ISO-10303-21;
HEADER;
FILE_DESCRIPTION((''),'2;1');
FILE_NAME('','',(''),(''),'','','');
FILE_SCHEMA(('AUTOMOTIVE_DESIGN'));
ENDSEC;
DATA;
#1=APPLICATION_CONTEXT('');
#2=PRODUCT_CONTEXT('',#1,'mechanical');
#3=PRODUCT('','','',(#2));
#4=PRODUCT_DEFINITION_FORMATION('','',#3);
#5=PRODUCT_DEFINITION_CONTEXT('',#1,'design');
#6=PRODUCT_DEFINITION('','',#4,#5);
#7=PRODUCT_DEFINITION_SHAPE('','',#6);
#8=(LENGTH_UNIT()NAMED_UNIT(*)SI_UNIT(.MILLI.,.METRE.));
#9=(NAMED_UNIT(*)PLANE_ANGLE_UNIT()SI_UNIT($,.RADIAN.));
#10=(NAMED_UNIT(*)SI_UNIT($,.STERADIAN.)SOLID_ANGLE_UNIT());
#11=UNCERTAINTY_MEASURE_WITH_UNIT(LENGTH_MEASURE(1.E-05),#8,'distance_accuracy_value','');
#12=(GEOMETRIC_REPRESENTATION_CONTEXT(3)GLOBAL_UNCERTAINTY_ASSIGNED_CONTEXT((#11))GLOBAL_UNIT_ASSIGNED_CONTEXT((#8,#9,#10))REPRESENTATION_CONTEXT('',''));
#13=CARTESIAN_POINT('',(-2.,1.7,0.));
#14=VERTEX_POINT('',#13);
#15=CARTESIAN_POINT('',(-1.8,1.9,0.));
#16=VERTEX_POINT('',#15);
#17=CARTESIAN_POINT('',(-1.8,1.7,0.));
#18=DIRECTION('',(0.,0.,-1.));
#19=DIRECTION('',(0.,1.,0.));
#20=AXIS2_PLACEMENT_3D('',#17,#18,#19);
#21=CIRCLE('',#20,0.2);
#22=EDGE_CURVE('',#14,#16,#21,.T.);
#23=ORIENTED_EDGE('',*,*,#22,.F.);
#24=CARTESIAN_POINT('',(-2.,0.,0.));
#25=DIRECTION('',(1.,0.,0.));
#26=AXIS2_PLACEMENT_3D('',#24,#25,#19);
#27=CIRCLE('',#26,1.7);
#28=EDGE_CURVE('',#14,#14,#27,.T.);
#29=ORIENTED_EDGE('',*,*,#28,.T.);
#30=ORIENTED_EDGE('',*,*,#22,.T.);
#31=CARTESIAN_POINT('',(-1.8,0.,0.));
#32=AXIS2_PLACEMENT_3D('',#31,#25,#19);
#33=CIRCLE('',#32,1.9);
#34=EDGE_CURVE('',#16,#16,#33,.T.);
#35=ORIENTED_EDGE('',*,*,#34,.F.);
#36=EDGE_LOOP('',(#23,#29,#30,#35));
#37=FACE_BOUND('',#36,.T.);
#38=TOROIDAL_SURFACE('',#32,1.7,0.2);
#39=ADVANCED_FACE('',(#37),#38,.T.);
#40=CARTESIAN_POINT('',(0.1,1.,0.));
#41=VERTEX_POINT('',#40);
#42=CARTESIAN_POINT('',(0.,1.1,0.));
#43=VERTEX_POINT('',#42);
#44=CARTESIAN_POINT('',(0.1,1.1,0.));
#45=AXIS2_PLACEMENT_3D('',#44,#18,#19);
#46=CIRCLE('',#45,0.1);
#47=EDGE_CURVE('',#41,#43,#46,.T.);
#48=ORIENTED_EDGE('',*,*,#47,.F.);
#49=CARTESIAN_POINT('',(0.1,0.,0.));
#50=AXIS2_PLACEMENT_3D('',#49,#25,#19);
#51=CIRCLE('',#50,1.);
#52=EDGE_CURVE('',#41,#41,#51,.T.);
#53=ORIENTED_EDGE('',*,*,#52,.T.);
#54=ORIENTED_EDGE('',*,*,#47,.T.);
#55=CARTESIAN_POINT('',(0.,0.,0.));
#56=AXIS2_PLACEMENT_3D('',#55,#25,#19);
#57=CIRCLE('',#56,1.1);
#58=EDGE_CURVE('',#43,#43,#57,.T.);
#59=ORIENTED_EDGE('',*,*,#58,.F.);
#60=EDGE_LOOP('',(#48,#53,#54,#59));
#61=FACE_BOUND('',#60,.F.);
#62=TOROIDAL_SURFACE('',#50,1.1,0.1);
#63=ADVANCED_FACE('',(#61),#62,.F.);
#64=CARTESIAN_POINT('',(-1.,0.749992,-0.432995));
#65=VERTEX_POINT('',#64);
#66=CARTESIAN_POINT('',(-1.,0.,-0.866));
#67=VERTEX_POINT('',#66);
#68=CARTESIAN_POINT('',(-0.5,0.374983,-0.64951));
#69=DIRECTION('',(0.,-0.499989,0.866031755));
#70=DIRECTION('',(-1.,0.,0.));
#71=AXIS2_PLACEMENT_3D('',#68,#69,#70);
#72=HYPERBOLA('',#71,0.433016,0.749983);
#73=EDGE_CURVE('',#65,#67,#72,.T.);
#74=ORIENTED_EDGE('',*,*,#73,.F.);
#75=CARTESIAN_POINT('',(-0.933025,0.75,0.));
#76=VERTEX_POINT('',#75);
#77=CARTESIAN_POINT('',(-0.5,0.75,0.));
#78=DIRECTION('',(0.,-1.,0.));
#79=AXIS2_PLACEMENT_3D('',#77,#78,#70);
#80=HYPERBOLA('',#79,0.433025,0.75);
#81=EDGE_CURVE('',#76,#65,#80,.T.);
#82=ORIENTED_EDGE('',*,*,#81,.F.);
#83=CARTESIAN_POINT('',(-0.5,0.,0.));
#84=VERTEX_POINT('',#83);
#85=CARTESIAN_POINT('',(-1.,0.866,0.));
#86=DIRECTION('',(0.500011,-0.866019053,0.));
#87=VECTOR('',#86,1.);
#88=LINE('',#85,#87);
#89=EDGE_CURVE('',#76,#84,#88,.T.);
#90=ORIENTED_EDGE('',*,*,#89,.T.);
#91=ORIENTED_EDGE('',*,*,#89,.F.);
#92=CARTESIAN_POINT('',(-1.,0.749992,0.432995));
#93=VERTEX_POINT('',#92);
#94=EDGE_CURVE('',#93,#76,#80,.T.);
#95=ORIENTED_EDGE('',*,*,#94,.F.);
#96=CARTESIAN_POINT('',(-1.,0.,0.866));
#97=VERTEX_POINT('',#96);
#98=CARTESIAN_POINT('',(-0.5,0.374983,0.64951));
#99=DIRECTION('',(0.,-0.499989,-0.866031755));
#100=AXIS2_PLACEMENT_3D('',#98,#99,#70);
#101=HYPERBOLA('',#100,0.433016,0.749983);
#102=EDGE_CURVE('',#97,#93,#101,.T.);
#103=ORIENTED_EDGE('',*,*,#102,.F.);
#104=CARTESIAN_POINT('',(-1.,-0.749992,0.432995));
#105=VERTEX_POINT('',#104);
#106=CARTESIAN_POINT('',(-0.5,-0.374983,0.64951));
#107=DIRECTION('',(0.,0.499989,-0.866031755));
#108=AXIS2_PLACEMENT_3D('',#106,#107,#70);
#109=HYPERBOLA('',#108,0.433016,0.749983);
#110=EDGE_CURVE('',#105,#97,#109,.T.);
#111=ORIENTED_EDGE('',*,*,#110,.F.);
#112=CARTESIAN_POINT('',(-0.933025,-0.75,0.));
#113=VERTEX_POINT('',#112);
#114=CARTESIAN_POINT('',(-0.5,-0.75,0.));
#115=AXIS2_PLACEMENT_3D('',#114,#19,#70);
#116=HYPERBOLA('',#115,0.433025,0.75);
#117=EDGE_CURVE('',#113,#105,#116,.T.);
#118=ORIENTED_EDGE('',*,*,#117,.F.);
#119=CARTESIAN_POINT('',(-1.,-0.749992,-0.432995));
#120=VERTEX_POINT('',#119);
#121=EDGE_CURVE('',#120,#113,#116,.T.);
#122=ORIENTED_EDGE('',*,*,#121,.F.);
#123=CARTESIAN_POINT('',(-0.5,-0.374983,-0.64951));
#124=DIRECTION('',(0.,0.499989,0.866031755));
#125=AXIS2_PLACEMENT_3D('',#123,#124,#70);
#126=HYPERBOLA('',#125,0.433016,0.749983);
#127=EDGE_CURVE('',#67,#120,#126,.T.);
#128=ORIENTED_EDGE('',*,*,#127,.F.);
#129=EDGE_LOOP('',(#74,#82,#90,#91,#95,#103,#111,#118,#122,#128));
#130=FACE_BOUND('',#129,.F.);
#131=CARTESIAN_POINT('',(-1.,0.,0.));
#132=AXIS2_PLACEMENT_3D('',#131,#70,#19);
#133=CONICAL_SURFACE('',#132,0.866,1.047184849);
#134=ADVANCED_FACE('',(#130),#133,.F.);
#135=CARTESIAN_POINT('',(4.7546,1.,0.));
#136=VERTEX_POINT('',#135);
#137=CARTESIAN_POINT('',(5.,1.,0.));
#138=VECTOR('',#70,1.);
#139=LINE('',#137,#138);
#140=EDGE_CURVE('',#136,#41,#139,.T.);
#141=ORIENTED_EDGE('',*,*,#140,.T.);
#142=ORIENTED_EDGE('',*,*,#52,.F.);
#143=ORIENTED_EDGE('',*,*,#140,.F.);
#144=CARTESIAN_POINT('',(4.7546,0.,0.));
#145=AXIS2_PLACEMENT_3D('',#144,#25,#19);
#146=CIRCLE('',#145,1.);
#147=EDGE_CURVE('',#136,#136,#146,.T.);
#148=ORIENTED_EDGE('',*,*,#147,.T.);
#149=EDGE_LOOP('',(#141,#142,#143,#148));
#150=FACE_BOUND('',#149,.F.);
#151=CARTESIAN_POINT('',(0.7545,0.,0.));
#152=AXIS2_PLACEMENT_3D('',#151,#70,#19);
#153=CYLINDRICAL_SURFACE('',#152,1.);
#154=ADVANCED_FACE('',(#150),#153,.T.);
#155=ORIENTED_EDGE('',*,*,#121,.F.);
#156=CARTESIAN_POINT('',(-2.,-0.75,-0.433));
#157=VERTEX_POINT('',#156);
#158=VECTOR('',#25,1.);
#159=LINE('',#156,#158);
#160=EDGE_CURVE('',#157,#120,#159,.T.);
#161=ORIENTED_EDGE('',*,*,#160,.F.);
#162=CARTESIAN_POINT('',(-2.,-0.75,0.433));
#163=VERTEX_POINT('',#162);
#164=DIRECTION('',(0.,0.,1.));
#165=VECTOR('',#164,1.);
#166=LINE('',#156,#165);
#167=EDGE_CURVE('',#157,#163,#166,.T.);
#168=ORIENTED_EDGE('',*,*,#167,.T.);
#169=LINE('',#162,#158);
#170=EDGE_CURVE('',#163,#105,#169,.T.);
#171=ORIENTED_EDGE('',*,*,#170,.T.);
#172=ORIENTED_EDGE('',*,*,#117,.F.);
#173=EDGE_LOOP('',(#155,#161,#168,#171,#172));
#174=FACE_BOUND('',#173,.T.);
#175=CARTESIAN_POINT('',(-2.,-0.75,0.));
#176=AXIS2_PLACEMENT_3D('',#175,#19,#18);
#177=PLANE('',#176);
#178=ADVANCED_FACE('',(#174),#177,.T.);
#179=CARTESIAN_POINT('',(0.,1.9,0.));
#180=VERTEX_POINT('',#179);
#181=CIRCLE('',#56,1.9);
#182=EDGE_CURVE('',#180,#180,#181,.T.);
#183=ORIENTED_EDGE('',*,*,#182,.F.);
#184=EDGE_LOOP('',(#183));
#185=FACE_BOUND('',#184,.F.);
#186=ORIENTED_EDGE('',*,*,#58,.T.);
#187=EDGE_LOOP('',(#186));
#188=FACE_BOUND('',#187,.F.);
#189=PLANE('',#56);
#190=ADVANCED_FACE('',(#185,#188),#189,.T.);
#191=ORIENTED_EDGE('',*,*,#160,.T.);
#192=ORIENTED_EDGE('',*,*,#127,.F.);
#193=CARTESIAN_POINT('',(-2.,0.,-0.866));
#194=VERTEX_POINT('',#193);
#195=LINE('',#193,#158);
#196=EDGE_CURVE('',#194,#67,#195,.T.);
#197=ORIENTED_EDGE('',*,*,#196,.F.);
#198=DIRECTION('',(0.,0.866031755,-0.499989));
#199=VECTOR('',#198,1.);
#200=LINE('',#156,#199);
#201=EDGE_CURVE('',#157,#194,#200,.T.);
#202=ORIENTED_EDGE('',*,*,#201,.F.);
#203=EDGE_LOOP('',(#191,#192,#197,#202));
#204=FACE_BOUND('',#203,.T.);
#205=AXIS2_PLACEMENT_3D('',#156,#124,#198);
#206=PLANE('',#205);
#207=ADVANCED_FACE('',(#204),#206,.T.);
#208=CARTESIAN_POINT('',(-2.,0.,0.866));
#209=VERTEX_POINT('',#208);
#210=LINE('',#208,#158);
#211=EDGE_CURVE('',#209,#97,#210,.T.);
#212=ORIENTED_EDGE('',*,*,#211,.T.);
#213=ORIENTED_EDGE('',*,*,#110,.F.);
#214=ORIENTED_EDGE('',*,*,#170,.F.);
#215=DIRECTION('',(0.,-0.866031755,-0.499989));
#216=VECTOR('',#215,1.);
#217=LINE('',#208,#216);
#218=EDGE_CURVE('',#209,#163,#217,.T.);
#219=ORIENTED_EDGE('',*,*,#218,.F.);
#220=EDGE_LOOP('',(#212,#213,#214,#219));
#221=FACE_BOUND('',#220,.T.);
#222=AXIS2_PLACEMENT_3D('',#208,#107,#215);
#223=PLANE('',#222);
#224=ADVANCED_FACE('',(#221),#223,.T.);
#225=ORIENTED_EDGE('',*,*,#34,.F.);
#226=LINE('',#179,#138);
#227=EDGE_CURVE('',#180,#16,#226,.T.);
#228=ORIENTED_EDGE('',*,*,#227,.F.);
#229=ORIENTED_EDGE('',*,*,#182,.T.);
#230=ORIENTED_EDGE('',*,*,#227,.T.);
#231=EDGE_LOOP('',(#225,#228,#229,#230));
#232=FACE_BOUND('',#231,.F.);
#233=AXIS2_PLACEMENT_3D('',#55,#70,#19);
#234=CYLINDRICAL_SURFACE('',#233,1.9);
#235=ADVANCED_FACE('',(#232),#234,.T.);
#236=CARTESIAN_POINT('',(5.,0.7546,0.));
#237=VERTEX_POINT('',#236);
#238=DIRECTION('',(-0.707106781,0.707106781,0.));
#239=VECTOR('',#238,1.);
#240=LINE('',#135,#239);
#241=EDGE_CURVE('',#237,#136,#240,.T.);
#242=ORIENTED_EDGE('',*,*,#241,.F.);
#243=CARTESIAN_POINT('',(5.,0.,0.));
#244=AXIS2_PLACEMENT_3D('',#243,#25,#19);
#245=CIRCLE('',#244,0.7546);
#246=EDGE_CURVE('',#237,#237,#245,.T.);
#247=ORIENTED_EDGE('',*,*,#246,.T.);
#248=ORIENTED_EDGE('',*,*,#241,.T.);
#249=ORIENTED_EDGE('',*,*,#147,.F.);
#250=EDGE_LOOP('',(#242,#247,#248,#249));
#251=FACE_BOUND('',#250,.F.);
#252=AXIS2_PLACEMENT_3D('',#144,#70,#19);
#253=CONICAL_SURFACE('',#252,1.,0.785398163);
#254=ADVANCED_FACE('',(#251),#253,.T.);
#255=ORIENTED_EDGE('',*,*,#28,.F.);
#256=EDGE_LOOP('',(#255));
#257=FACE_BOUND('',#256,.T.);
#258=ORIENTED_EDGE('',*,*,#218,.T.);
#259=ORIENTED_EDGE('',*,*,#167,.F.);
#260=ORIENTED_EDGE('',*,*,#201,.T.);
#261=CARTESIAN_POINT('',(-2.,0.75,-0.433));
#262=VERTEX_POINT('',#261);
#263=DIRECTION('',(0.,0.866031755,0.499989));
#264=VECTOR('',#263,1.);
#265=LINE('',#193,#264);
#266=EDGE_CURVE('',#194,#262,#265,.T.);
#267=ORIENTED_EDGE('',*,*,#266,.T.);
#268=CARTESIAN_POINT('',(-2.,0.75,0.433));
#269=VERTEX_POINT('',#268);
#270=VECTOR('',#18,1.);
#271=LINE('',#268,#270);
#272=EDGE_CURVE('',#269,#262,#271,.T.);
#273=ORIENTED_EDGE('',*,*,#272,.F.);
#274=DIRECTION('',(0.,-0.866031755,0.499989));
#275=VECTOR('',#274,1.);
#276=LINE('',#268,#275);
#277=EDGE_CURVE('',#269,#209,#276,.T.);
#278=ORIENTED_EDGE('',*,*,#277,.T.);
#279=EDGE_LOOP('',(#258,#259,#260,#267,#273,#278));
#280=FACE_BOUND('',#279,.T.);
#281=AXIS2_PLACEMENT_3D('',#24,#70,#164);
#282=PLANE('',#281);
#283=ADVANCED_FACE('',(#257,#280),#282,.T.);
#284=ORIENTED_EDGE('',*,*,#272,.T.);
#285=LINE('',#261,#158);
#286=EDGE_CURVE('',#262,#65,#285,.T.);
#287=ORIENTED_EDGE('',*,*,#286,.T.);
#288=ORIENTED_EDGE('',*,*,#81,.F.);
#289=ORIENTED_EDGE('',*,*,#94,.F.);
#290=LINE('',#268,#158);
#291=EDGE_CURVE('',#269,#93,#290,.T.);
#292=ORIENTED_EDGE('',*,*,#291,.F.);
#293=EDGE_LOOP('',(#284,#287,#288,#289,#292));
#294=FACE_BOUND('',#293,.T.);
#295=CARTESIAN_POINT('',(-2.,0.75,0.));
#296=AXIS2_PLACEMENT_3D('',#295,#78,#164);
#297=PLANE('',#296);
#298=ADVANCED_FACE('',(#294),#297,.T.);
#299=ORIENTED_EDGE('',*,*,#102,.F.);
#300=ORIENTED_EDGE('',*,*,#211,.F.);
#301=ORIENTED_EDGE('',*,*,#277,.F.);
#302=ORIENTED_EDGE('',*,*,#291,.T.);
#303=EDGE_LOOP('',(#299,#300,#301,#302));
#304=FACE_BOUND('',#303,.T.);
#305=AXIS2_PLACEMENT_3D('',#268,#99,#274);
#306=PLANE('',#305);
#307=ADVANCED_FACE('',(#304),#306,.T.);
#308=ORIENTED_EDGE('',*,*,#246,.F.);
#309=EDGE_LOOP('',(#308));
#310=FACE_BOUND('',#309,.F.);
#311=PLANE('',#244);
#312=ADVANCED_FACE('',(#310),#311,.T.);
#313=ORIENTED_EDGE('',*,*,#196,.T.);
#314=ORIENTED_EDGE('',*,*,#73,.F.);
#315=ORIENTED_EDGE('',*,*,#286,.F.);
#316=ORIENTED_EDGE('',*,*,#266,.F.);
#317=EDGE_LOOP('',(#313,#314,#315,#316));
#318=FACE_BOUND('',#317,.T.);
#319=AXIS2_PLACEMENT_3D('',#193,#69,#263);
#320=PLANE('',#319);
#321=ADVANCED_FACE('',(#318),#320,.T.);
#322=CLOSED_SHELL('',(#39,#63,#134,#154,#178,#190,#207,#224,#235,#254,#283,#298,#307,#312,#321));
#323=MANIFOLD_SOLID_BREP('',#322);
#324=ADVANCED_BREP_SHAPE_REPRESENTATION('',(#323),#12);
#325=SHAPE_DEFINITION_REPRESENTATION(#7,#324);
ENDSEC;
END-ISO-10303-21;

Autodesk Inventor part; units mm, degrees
ref_plane "YZ Plane" through (0, 0, 0) normal (1, 0, 0) x (0, 1, 0)
ref_plane "XZ Plane" through (0, 0, 0) normal (0, 1, 0) x (-1, 0, 0)
sketch "Skizze1" plane through (0, 0, 0) normal (0, 0, 1) x (1, 0, 0)
  line L0 (-0.5, 0) -> (5, 0)
  line L1 (5, 0) -> (5, 1)
  line L2 (5, 1) -> (1, 1)
  line L3 (1, 1) -> (0.7545, 1)
  line L4 (0.7545, 1) -> (0, 1)
  line L5 (0, 1) -> (0, 1.9)
  line L6 (0, 1.9) -> (-2, 1.9)
  line L7 (-2, 1.9) -> (-2, 0.866)
  line L8 (-2, 0.866) -> (-1, 0.866)
  line L9 (-1, 0.866) -> (-0.5, 0)
  line L10 (-3.4, 0) -> (6.4, 0) projected
  line L11 (0, -0.38) -> (0, 2.28) projected
  line L12 (1, 1) -> (0, 1) construction
  dimension "d1" = 4
  dimension "d2" = 0.2455
  dimension "d3" = 2
  dimension "d4" = 1
  dimension "d5" = 60
  dimension "d6" = 2
  dimension "d7" = 2
  dimension "d8" = 1.7321
  dimension "d9" = 3.8
  dimension "d26" = 5
revolve "Körper" add sketch "Skizze1" angle 360 about axis through (-0.5, 0, 0) along (1, 0, 0)
sketch "Skizze2" plane through (-2, 0, 0) normal (-1, 0, 0) x (0, 0, 1)
  circle A0 centre (0, 0) radius 0.866 projected
  line L0 (0, -2.66) -> (0, 2.66) projected
  line L1 (-2.66, 0) -> (2.66, 0) projected
  line L2 (0.866, 0) -> (0.433, -0.75)
  line L3 (0.433, -0.75) -> (-0.433, -0.75)
  line L4 (-0.433, -0.75) -> (-0.866, 0)
  line L5 (-0.866, 0) -> (-0.433, 0.75)
  line L6 (-0.433, 0.75) -> (0.433, 0.75)
  line L7 (0.433, 0.75) -> (0.866, 0)
  point P0 (0, 0)
extrude "Loch" add sketch "Skizze2" against normal up to next contours L7 A0 | A0 L2 | L6 L0 A0 | A0 L0 L3 | L0 L6 A0 | A0 L3 L0 | L4 A0 | A0 L5
fillet "Rundung1" radius 0.2 1 edges at (-2, -1.9, 0)
thread "Gewinde" size "M2x0.4" class "6g" standard "ISO Metric profile" length 4
chamfer "Fase1" distance 0.2454 distance2 0.2454 1 edges at (5, -1, 0) measured on face at (5, -0.4588, -0.3309)
ref_plane "Work Plane1" through (29, 0, 0) normal (0, -1, 0) x (1, 0, 0)
fillet "Fillet2" radius 0.1 1 edges at (0, -1, 0)
equation "\"d1\" = GEL"
equation "\"d3\" = KOH"
equation "\"d4\" = INTI"
equation "\"d6\" = GD"
equation "\"d7\" = BDM"
equation "\"d8\" = 1.1547 * SW"
equation "\"d9\" = KOD"
equation "\"d26\" = NLG"
equation "\"d30\" = R"
equation "\"d17\" = RR"
equation "\"d13\" = GEL"
equation "\"d15\" = -0.5 * SPD + 0.5 * GD"
equation "\"d16\" = GUL"
equation "\"GD\" = 2"
equation "\"NLG\" = 5"
equation "\"GEL\" = 4"
equation "\"KOD\" = 3.8"
equation "\"KOH\" = 2"
equation "\"INTI\" = 1"
equation "\"GAL\" = 0.61345 * PTC"
equation "\"GUL\" = 0.61345 * PTC"
equation "\"BDM\" = NND"
equation "\"SW\" = 1.5"
equation "\"RR\" = 0.2"
equation "\"SPD\" = NND - 1.2269 * PTC"
equation "\"R\" = 0.1"
equation "\"TOA\" = 30deg"
equation "\"GD1\" = THREADDIA - 1.2269 * PTC"
equation "\"THREADDIA\" = 2"
equation "\"FAWI\" = 45deg"
equation "\"PTC\" = 0.4"
equation "\"NND\" = 2"
equation "\"E0\" = 1.155 * SW"
properties part number "ISO 4762 - M2 x 5" material "Edelstahl, 440C"
